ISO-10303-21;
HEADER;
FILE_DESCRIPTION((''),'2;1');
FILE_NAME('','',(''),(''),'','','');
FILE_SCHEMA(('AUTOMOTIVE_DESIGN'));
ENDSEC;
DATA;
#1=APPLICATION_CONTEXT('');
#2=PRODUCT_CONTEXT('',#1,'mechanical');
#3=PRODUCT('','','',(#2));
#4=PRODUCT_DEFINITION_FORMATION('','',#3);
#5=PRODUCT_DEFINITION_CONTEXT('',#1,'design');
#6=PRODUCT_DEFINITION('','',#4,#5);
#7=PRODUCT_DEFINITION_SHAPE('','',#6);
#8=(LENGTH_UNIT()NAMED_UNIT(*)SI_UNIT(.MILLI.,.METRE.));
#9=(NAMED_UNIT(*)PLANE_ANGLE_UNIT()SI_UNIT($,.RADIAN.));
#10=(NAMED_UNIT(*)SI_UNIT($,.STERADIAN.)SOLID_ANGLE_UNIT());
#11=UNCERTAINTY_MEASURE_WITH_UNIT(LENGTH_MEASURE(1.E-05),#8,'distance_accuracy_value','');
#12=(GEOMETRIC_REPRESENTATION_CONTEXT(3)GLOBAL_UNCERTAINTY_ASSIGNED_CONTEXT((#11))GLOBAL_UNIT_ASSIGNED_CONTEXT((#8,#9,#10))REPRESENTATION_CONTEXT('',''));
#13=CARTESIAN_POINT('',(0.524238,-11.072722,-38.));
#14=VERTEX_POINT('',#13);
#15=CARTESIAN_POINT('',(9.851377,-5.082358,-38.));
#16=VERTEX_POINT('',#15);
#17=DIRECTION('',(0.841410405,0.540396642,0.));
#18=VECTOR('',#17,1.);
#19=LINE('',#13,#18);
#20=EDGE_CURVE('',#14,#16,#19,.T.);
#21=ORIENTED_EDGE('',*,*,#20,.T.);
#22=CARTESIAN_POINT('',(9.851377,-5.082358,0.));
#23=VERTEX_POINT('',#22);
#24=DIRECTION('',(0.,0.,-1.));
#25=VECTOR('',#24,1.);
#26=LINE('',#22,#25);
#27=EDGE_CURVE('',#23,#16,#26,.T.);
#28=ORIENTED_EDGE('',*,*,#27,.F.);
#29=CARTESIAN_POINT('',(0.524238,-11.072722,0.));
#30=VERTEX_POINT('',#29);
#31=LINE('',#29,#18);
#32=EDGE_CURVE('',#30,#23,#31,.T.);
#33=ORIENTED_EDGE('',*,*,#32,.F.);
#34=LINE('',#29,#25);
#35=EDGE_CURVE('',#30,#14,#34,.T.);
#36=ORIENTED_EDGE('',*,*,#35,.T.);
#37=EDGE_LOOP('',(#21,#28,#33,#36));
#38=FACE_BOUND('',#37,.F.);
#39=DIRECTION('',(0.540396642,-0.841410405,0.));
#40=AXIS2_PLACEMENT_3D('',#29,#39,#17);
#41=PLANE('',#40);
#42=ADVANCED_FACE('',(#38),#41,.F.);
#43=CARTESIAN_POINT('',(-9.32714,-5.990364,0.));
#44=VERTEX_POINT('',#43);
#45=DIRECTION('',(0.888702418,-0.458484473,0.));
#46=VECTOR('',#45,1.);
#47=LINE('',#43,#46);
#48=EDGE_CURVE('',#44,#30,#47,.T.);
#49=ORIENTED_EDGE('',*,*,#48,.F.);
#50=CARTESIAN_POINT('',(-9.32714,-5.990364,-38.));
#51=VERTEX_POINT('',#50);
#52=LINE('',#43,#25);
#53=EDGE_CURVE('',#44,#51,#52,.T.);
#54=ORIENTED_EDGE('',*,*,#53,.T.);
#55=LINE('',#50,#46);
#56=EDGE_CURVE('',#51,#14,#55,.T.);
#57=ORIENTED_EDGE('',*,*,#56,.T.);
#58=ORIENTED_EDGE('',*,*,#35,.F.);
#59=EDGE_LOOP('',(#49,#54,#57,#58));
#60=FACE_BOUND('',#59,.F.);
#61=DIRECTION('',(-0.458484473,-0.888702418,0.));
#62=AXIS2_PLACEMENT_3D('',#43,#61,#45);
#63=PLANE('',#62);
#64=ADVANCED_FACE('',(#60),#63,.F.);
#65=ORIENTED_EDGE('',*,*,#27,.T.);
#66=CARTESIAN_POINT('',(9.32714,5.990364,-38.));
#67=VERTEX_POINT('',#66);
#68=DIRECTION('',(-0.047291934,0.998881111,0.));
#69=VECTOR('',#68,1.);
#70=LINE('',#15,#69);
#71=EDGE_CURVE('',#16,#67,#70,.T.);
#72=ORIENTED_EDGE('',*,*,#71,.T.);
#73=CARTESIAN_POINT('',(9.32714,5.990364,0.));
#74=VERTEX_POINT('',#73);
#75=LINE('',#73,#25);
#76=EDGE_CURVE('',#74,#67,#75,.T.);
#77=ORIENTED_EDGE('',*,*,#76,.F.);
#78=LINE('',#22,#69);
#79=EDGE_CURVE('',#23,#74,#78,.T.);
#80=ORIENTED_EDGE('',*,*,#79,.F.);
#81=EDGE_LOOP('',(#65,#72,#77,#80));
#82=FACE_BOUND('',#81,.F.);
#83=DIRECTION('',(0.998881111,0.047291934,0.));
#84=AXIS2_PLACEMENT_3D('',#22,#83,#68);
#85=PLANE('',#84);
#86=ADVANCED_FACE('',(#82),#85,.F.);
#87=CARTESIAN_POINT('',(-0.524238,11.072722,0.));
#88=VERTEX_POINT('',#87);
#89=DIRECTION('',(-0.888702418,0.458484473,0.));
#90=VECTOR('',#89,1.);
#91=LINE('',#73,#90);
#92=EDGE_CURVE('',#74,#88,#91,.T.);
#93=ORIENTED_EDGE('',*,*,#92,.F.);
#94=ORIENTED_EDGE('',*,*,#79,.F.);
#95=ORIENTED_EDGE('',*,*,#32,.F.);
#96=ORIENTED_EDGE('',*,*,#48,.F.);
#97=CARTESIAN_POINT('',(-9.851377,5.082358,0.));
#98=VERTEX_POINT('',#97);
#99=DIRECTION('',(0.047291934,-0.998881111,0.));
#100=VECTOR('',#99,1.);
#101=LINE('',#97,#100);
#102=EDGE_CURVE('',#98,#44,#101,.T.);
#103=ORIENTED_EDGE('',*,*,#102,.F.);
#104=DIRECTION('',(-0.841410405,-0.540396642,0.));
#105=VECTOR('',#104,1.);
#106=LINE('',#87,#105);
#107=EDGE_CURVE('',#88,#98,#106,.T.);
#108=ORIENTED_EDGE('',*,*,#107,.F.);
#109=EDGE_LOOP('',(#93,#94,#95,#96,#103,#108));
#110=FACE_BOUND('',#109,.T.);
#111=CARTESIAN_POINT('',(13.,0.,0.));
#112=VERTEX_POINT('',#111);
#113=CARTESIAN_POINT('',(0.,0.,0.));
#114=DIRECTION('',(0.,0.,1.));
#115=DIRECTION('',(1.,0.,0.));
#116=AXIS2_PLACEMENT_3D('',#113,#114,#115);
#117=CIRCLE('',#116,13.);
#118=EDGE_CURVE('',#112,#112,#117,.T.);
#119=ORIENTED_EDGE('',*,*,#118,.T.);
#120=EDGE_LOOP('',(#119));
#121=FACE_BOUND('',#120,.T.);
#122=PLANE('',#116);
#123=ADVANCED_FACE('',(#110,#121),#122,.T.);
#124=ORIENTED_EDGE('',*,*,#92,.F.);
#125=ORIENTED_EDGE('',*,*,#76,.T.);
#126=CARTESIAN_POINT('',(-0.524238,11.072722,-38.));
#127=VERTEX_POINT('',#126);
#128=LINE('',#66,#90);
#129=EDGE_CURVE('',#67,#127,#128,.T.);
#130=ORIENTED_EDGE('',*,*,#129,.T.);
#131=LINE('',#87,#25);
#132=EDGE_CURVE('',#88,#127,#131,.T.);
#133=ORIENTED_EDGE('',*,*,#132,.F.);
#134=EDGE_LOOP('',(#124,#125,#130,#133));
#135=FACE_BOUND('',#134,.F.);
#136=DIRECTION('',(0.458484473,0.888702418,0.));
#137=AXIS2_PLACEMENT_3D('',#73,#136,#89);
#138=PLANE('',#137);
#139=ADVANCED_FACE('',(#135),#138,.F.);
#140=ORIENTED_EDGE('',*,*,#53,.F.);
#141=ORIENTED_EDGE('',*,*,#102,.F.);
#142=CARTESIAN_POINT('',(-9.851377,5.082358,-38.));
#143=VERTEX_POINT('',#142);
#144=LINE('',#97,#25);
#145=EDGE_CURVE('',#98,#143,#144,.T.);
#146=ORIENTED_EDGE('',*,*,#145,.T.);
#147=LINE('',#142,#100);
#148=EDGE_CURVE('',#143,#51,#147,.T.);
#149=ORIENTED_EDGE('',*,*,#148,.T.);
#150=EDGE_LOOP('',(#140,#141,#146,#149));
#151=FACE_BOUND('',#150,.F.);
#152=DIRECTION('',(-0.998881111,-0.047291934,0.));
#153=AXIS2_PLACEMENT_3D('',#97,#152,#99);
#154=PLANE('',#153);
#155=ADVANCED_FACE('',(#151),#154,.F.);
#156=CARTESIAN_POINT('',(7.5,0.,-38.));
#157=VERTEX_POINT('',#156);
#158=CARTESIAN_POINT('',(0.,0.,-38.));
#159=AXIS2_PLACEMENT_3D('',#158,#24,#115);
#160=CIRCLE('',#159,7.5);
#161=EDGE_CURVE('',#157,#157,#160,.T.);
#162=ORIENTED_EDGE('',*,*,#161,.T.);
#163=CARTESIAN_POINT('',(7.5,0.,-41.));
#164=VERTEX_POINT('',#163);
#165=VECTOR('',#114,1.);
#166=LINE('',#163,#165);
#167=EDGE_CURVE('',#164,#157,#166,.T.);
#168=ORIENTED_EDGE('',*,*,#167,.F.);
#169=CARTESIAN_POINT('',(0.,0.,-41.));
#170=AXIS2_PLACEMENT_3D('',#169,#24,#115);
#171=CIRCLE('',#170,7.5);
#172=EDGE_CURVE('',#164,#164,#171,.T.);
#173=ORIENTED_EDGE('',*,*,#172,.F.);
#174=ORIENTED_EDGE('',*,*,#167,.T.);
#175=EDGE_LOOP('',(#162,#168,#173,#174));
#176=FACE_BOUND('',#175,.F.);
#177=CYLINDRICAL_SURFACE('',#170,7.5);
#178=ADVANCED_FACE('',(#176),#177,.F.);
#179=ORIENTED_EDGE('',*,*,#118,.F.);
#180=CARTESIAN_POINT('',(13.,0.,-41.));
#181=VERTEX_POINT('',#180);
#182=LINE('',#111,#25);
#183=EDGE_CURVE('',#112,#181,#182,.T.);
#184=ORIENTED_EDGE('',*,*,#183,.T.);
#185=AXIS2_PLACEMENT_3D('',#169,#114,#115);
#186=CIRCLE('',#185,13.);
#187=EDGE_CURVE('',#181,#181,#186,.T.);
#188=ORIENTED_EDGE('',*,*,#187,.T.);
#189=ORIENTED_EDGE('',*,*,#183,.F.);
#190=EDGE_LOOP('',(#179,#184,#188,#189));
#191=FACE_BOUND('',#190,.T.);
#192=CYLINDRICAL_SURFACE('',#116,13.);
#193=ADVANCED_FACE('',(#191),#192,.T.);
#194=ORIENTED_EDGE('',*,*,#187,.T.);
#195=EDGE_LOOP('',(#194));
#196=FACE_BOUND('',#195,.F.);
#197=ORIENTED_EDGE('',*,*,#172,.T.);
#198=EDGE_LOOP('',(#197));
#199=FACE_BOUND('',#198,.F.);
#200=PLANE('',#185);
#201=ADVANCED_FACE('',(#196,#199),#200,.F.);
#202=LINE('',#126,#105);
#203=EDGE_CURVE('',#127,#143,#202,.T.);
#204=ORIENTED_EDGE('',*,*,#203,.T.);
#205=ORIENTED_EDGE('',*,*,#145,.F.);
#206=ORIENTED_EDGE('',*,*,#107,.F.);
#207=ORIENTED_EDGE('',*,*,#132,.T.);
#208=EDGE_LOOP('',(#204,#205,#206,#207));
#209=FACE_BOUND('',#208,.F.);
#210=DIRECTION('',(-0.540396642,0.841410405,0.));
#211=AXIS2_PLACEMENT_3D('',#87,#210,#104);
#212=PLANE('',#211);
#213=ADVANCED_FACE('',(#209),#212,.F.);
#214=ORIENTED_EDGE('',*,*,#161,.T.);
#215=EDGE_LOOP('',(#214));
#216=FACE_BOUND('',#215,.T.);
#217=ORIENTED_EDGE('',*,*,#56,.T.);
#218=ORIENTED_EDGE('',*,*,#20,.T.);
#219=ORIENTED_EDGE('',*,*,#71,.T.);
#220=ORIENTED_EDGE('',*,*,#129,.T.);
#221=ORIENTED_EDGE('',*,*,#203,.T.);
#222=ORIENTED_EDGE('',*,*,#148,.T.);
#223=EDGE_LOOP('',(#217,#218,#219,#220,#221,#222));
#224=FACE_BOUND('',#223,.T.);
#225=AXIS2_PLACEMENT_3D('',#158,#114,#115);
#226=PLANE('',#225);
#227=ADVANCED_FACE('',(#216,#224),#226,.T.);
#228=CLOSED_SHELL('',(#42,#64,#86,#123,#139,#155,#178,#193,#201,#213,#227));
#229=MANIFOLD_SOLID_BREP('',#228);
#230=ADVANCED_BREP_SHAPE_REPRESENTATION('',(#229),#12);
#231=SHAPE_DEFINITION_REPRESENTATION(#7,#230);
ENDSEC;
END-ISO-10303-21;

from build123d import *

# Parameters (mm, degrees)
F1_R     = 13
F2_DEPTH = 41
F3_DEPTH = 38
F4_R     = 7.5
F5_DEPTH = 25


with BuildPart() as f2:
    # F1 (on Top) → F2 (new body)
    with BuildSketch(Plane.XY):
        Circle(F1_R)
    extrude(amount=-F2_DEPTH)

    # F0 (on Top) → F3 (cut)
    with BuildSketch(Plane.XY):
        Polygon((-0.524238, 11.072722), (-9.851377, 5.082358), (-9.32714, -5.990364), (0.524238, -11.072722), (9.851377, -5.082358), (9.32714, 5.990364), align=None)
    extrude(amount=-F3_DEPTH, mode=Mode.SUBTRACT)

    # F4 (on face) → F5 (cut)
    with BuildSketch(Plane(origin=(0, 0, -41), x_dir=(1, 0, 0), z_dir=(0, 0, -1))):
        Circle(F4_R)
    extrude(amount=-F5_DEPTH, mode=Mode.SUBTRACT)


solid = f2.part
